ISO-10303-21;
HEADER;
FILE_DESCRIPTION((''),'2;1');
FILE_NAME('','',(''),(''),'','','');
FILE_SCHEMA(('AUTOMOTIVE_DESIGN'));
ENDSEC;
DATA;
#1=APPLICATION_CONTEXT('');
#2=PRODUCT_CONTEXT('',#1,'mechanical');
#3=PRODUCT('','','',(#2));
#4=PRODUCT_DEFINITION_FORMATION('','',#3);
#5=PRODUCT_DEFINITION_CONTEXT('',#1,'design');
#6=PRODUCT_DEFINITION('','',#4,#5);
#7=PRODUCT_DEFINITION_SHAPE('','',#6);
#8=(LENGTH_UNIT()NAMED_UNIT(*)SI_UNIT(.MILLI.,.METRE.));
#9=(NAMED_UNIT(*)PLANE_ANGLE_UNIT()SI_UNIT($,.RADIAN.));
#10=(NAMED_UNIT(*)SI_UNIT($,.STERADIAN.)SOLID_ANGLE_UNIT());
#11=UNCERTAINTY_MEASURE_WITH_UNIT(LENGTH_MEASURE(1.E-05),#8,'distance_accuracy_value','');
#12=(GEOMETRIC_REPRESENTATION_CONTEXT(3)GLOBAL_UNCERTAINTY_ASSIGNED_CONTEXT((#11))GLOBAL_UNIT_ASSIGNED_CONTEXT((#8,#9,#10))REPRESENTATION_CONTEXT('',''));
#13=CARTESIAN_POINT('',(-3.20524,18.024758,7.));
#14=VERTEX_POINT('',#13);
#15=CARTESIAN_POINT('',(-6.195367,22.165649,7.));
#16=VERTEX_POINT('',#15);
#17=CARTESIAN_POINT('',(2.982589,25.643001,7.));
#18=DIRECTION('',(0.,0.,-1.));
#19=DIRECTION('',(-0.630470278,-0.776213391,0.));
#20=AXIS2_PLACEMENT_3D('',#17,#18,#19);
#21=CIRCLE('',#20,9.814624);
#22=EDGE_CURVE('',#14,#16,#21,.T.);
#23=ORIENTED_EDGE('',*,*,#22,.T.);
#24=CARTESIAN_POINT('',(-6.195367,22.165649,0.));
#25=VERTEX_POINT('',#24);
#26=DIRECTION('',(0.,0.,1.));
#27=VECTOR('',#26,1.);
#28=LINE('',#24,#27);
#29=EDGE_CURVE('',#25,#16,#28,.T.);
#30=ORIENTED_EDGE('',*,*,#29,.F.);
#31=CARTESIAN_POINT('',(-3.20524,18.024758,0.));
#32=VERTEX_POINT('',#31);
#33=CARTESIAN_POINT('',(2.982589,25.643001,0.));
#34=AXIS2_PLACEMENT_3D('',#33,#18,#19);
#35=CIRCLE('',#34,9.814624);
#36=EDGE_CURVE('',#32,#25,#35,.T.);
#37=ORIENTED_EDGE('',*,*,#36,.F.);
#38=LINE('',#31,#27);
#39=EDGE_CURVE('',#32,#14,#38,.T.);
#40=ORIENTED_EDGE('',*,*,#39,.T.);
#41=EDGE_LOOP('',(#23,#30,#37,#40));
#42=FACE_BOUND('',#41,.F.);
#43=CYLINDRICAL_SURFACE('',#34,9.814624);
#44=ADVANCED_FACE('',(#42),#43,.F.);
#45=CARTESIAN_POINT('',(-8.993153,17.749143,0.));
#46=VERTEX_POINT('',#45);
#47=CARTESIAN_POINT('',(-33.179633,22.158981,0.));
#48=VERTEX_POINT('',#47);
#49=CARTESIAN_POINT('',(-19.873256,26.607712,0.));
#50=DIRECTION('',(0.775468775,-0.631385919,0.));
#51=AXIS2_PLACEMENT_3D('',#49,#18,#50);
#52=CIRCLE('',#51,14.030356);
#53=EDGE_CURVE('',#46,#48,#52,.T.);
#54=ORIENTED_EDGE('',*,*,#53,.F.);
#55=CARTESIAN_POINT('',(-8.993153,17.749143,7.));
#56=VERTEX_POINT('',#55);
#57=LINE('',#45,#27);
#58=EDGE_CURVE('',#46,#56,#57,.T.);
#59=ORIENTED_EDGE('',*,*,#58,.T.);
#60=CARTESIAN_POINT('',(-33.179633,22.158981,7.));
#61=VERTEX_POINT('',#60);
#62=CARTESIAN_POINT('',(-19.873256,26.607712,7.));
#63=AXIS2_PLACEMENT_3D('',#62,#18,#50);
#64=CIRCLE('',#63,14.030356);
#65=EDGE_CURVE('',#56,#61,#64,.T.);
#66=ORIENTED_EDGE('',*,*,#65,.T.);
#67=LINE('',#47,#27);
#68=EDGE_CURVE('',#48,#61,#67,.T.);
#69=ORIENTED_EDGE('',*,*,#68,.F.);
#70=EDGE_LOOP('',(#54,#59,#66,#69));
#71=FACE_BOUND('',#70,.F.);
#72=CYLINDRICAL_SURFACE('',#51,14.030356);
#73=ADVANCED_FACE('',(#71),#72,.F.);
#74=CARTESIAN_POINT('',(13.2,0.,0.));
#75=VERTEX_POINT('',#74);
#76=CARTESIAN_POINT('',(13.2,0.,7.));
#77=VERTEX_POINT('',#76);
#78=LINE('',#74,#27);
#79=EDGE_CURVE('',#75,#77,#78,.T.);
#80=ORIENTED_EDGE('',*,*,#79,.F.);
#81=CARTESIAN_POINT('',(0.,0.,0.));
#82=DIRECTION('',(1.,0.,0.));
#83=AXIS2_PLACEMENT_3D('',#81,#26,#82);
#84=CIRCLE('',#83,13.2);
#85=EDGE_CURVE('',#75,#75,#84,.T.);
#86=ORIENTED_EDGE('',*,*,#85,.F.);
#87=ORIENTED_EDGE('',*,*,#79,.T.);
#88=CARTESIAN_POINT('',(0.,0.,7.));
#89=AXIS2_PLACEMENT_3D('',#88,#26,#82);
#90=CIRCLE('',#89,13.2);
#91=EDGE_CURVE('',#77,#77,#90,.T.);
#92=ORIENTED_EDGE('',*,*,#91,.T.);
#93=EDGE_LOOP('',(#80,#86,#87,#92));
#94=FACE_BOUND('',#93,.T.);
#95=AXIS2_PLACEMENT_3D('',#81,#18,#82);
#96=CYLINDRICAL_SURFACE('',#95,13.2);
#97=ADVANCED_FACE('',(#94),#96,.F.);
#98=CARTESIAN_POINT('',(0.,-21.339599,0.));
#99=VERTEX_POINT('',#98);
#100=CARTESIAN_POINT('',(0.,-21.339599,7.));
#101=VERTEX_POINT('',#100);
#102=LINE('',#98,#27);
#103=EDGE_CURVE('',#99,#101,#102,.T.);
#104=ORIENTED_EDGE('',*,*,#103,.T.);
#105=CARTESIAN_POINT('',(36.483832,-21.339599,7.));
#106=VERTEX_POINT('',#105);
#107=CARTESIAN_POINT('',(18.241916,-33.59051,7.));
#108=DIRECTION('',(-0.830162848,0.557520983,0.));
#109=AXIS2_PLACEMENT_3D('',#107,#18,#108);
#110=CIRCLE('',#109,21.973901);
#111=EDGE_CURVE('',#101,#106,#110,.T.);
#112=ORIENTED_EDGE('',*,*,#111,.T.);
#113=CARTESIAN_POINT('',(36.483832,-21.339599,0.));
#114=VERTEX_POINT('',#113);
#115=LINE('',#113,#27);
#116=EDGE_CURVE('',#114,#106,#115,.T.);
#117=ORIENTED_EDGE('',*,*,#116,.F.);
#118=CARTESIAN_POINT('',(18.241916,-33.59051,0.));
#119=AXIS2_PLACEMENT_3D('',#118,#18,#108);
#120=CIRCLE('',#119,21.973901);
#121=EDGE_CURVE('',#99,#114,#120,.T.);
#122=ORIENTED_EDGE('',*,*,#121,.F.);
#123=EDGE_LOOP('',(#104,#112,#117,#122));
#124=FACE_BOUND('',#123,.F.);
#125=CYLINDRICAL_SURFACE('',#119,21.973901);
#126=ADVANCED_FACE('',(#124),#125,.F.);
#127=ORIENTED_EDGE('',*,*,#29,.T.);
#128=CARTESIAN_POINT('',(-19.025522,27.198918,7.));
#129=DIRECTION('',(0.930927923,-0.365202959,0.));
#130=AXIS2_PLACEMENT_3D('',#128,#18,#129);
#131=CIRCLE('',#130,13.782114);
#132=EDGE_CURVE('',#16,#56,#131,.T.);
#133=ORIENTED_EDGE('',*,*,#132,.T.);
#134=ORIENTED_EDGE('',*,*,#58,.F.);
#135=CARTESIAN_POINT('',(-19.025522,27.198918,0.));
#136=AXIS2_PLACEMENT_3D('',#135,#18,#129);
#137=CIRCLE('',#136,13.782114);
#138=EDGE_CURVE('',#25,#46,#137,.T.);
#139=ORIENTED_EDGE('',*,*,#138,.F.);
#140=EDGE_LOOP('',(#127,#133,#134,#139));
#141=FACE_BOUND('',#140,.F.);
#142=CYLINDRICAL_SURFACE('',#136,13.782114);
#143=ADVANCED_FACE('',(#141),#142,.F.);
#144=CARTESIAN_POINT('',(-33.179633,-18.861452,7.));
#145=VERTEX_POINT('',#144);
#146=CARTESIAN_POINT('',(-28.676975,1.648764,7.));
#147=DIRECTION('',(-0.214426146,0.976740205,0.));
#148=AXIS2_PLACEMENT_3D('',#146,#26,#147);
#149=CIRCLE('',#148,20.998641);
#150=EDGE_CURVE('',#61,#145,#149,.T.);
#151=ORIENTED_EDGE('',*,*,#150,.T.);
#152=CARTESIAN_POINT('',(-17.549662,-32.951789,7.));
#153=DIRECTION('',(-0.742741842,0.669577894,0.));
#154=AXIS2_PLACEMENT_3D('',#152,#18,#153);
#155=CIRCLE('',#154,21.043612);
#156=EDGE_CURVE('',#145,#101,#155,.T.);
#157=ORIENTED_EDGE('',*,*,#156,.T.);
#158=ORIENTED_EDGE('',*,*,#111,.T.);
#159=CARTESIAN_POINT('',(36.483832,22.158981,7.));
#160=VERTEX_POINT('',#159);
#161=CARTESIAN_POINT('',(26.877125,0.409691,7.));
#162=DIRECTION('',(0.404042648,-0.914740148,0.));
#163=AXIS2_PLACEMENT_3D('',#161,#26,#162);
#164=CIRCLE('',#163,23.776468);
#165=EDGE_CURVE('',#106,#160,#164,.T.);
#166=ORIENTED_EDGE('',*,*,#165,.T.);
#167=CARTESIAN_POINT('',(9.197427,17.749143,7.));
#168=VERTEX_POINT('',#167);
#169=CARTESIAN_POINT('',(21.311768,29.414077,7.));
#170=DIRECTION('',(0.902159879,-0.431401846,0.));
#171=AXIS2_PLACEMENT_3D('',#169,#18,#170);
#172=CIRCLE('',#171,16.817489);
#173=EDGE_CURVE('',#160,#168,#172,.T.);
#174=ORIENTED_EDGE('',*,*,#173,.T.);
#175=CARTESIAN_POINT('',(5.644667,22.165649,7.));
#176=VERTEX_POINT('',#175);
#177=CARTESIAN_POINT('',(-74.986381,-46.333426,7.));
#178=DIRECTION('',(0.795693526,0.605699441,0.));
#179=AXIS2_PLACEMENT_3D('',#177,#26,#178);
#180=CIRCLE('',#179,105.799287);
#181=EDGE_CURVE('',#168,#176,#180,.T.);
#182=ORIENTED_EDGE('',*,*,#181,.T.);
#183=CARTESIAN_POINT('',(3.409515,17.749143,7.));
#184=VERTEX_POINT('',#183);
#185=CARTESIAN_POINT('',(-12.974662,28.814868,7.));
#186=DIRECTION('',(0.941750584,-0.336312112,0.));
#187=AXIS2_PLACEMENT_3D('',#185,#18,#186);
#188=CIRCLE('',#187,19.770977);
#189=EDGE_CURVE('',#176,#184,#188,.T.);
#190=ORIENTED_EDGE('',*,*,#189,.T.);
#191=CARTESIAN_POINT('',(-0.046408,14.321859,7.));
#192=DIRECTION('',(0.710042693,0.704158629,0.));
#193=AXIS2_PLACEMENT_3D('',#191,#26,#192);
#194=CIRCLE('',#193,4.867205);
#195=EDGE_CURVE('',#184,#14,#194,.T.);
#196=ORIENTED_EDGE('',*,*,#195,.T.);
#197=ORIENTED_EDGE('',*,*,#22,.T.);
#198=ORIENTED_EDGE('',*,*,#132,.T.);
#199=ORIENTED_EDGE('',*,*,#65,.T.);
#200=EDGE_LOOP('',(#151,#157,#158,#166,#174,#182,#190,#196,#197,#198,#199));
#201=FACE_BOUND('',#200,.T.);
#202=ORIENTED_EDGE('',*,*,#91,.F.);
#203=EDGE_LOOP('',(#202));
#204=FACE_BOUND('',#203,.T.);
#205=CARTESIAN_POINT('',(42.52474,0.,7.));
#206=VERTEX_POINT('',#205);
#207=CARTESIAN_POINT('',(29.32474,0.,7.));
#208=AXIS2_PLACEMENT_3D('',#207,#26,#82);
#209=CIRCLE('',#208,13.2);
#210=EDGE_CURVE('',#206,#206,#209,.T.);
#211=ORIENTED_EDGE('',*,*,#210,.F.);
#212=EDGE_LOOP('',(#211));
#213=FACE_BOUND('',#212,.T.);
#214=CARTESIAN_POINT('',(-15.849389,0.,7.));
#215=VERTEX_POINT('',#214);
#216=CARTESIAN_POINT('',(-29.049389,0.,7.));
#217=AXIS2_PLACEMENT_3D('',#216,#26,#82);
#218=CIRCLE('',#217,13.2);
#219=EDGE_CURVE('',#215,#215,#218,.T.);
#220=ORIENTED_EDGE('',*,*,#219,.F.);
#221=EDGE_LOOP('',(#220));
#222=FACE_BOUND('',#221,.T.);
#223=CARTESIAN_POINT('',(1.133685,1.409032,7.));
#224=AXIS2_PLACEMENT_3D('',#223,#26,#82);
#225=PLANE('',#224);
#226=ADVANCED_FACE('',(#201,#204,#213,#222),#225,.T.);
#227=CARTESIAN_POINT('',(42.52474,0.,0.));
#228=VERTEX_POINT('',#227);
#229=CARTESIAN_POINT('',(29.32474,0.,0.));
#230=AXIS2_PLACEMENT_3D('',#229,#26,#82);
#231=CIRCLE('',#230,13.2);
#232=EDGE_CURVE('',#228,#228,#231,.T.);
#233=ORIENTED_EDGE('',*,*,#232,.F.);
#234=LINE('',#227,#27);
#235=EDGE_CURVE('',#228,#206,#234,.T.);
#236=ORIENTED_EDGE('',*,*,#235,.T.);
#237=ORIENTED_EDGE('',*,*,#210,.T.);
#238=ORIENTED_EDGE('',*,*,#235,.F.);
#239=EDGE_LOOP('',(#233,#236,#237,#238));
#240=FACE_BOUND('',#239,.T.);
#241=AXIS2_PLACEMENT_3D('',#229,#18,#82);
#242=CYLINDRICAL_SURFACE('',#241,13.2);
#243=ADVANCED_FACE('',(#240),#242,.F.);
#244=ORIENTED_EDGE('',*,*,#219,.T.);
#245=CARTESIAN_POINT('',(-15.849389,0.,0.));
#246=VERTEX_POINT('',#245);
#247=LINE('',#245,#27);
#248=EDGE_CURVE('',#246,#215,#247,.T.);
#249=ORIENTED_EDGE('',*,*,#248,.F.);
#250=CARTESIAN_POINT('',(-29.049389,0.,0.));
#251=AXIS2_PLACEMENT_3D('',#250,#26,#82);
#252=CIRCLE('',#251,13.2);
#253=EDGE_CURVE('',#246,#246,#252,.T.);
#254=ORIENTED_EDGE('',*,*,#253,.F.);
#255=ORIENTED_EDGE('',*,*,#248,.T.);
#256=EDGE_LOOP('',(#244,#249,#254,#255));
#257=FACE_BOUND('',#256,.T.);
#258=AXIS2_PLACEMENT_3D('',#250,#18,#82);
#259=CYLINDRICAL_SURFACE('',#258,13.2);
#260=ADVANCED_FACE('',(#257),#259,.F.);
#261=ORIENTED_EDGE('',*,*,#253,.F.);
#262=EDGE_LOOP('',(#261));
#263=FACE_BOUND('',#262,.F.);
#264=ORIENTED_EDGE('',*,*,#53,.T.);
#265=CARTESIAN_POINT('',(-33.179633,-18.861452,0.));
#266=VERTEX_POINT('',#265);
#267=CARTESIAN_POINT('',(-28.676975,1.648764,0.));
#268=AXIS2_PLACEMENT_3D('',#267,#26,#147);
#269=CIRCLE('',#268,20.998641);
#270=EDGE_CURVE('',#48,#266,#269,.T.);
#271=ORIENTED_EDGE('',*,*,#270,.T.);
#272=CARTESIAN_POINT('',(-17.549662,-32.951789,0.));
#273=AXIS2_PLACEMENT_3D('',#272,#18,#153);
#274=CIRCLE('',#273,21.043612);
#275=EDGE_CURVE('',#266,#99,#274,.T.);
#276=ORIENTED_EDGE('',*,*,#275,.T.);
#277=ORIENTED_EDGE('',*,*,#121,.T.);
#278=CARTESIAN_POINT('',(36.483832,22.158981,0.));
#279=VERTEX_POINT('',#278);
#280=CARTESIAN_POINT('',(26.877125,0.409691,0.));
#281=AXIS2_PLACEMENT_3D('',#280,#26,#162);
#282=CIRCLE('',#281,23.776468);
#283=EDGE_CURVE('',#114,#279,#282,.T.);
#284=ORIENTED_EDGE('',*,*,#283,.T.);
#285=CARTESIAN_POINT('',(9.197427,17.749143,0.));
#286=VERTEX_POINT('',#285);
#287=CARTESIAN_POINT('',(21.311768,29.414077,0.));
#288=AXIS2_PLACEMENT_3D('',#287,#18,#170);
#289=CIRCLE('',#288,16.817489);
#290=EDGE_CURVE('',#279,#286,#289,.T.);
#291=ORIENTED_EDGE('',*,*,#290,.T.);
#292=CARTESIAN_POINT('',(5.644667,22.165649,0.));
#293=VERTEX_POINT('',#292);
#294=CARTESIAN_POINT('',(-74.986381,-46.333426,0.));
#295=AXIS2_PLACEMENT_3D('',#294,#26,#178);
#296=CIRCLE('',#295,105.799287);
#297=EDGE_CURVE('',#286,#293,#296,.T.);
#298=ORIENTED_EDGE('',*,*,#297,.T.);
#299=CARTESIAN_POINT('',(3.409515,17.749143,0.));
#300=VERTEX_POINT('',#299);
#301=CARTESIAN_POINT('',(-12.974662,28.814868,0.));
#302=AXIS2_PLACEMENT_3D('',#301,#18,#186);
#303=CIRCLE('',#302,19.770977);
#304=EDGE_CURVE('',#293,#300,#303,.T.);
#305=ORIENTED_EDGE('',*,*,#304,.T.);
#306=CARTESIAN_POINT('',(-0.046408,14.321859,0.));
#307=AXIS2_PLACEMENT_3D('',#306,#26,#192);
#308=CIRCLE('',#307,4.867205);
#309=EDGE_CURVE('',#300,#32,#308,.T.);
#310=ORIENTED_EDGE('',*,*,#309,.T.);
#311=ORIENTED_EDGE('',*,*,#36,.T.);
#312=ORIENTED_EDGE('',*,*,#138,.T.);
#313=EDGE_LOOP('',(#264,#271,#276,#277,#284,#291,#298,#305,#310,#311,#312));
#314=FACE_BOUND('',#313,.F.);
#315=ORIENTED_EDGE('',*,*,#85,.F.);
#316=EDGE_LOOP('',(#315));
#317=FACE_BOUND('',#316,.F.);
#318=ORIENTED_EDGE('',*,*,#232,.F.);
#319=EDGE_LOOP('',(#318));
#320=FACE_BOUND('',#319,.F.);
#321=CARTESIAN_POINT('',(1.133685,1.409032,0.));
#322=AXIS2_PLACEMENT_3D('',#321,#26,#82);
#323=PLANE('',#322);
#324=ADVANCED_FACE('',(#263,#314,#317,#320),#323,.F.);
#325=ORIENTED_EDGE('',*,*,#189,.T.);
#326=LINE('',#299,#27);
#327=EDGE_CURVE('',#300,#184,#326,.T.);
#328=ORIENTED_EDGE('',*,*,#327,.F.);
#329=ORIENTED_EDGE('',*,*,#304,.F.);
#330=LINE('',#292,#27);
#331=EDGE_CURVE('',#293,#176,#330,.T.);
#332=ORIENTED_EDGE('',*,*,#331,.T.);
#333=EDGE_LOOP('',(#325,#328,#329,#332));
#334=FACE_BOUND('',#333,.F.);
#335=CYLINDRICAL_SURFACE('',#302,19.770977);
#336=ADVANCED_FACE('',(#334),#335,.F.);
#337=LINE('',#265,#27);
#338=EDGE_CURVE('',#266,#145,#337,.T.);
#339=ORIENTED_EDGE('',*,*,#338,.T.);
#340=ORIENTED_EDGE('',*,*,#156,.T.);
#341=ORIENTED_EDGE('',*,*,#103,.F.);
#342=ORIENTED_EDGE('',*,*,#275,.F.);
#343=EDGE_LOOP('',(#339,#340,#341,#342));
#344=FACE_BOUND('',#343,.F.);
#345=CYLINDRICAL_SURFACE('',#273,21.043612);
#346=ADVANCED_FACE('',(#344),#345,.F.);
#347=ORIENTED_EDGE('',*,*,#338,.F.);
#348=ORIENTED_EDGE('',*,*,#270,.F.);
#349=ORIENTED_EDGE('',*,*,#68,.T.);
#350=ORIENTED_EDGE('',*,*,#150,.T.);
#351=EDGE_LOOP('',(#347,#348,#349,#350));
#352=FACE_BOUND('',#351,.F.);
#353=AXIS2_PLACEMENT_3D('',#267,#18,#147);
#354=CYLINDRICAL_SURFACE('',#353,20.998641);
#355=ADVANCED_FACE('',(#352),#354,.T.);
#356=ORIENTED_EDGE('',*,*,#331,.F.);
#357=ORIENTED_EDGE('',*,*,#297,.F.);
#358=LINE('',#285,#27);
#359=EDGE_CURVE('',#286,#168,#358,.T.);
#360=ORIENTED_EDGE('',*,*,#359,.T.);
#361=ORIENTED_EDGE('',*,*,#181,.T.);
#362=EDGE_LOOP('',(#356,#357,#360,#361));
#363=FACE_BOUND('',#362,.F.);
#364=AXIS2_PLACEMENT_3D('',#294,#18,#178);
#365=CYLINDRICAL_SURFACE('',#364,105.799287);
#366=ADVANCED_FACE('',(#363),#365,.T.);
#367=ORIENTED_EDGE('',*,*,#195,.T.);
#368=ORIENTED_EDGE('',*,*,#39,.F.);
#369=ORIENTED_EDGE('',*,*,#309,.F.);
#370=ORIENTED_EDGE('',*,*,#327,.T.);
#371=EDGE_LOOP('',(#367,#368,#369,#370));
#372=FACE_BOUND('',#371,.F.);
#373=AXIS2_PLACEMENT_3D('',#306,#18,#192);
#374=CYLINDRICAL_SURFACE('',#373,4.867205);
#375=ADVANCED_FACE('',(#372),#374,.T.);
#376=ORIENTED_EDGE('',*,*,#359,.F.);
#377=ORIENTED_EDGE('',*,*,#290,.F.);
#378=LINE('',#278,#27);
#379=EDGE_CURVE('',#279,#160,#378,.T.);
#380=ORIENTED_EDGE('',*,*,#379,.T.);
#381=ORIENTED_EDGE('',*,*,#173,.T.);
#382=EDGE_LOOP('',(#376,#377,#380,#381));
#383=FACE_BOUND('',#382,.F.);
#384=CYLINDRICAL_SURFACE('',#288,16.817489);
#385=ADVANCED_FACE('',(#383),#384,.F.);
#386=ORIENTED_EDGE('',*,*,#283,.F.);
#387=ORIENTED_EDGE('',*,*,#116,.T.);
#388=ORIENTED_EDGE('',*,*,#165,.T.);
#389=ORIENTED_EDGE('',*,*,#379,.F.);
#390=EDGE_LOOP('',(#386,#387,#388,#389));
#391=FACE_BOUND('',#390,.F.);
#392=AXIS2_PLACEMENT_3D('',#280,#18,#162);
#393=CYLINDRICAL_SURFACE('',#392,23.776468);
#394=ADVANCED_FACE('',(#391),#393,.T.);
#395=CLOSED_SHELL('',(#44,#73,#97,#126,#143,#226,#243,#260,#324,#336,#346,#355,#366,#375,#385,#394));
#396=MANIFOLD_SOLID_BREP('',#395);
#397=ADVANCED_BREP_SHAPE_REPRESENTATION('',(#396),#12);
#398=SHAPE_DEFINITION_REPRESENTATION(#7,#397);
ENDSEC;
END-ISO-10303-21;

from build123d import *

# Parameters (mm, degrees)
F0_R     = 13.2
F1_DEPTH = 7


with BuildPart() as f1:
    # F0 (on Top) → F1 (new body)
    with BuildSketch(Plane.XY):
        with BuildLine():
            ThreePointArc((5.644667, 22.165649), (4.665852, 19.88717), (3.409515, 17.749143))
            ThreePointArc((3.409515, 17.749143), (0.156216, 19.184844), (-3.20524, 18.024758))
            ThreePointArc((-3.20524, 18.024758), (-4.974394, 19.897283), (-6.195367, 22.165649))
            ThreePointArc((-6.195367, 22.165649), (-7.382922, 19.823517), (-8.993153, 17.749143))
            ThreePointArc((-8.993153, 17.749143), (-22.389875, 12.804904), (-33.179633, 22.158981))
            ThreePointArc((-33.179633, 22.158981), (-49.675616, 1.648765), (-33.179633, -18.861452))
            ThreePointArc((-33.179633, -18.861452), (-15.982306, -11.966628), (0, -21.339599))
            ThreePointArc((0, -21.339599), (18.241916, -11.616609), (36.483832, -21.339599))
            ThreePointArc((36.483832, -21.339599), (50.653593, 0.409691), (36.483832, 22.158981))
            ThreePointArc((36.483832, 22.158981), (23.994879, 12.812003), (9.197427, 17.749143))
            ThreePointArc((9.197427, 17.749143), (7.450629, 19.981192), (5.644667, 22.165649))
        make_face()
        with Locations((-29.049389, 0)):
            Circle(F0_R, mode=Mode.SUBTRACT)
        Circle(F0_R, mode=Mode.SUBTRACT)
        with Locations((29.32474, 0)):
            Circle(F0_R, mode=Mode.SUBTRACT)
    extrude(amount=F1_DEPTH)


solid = f1.part
